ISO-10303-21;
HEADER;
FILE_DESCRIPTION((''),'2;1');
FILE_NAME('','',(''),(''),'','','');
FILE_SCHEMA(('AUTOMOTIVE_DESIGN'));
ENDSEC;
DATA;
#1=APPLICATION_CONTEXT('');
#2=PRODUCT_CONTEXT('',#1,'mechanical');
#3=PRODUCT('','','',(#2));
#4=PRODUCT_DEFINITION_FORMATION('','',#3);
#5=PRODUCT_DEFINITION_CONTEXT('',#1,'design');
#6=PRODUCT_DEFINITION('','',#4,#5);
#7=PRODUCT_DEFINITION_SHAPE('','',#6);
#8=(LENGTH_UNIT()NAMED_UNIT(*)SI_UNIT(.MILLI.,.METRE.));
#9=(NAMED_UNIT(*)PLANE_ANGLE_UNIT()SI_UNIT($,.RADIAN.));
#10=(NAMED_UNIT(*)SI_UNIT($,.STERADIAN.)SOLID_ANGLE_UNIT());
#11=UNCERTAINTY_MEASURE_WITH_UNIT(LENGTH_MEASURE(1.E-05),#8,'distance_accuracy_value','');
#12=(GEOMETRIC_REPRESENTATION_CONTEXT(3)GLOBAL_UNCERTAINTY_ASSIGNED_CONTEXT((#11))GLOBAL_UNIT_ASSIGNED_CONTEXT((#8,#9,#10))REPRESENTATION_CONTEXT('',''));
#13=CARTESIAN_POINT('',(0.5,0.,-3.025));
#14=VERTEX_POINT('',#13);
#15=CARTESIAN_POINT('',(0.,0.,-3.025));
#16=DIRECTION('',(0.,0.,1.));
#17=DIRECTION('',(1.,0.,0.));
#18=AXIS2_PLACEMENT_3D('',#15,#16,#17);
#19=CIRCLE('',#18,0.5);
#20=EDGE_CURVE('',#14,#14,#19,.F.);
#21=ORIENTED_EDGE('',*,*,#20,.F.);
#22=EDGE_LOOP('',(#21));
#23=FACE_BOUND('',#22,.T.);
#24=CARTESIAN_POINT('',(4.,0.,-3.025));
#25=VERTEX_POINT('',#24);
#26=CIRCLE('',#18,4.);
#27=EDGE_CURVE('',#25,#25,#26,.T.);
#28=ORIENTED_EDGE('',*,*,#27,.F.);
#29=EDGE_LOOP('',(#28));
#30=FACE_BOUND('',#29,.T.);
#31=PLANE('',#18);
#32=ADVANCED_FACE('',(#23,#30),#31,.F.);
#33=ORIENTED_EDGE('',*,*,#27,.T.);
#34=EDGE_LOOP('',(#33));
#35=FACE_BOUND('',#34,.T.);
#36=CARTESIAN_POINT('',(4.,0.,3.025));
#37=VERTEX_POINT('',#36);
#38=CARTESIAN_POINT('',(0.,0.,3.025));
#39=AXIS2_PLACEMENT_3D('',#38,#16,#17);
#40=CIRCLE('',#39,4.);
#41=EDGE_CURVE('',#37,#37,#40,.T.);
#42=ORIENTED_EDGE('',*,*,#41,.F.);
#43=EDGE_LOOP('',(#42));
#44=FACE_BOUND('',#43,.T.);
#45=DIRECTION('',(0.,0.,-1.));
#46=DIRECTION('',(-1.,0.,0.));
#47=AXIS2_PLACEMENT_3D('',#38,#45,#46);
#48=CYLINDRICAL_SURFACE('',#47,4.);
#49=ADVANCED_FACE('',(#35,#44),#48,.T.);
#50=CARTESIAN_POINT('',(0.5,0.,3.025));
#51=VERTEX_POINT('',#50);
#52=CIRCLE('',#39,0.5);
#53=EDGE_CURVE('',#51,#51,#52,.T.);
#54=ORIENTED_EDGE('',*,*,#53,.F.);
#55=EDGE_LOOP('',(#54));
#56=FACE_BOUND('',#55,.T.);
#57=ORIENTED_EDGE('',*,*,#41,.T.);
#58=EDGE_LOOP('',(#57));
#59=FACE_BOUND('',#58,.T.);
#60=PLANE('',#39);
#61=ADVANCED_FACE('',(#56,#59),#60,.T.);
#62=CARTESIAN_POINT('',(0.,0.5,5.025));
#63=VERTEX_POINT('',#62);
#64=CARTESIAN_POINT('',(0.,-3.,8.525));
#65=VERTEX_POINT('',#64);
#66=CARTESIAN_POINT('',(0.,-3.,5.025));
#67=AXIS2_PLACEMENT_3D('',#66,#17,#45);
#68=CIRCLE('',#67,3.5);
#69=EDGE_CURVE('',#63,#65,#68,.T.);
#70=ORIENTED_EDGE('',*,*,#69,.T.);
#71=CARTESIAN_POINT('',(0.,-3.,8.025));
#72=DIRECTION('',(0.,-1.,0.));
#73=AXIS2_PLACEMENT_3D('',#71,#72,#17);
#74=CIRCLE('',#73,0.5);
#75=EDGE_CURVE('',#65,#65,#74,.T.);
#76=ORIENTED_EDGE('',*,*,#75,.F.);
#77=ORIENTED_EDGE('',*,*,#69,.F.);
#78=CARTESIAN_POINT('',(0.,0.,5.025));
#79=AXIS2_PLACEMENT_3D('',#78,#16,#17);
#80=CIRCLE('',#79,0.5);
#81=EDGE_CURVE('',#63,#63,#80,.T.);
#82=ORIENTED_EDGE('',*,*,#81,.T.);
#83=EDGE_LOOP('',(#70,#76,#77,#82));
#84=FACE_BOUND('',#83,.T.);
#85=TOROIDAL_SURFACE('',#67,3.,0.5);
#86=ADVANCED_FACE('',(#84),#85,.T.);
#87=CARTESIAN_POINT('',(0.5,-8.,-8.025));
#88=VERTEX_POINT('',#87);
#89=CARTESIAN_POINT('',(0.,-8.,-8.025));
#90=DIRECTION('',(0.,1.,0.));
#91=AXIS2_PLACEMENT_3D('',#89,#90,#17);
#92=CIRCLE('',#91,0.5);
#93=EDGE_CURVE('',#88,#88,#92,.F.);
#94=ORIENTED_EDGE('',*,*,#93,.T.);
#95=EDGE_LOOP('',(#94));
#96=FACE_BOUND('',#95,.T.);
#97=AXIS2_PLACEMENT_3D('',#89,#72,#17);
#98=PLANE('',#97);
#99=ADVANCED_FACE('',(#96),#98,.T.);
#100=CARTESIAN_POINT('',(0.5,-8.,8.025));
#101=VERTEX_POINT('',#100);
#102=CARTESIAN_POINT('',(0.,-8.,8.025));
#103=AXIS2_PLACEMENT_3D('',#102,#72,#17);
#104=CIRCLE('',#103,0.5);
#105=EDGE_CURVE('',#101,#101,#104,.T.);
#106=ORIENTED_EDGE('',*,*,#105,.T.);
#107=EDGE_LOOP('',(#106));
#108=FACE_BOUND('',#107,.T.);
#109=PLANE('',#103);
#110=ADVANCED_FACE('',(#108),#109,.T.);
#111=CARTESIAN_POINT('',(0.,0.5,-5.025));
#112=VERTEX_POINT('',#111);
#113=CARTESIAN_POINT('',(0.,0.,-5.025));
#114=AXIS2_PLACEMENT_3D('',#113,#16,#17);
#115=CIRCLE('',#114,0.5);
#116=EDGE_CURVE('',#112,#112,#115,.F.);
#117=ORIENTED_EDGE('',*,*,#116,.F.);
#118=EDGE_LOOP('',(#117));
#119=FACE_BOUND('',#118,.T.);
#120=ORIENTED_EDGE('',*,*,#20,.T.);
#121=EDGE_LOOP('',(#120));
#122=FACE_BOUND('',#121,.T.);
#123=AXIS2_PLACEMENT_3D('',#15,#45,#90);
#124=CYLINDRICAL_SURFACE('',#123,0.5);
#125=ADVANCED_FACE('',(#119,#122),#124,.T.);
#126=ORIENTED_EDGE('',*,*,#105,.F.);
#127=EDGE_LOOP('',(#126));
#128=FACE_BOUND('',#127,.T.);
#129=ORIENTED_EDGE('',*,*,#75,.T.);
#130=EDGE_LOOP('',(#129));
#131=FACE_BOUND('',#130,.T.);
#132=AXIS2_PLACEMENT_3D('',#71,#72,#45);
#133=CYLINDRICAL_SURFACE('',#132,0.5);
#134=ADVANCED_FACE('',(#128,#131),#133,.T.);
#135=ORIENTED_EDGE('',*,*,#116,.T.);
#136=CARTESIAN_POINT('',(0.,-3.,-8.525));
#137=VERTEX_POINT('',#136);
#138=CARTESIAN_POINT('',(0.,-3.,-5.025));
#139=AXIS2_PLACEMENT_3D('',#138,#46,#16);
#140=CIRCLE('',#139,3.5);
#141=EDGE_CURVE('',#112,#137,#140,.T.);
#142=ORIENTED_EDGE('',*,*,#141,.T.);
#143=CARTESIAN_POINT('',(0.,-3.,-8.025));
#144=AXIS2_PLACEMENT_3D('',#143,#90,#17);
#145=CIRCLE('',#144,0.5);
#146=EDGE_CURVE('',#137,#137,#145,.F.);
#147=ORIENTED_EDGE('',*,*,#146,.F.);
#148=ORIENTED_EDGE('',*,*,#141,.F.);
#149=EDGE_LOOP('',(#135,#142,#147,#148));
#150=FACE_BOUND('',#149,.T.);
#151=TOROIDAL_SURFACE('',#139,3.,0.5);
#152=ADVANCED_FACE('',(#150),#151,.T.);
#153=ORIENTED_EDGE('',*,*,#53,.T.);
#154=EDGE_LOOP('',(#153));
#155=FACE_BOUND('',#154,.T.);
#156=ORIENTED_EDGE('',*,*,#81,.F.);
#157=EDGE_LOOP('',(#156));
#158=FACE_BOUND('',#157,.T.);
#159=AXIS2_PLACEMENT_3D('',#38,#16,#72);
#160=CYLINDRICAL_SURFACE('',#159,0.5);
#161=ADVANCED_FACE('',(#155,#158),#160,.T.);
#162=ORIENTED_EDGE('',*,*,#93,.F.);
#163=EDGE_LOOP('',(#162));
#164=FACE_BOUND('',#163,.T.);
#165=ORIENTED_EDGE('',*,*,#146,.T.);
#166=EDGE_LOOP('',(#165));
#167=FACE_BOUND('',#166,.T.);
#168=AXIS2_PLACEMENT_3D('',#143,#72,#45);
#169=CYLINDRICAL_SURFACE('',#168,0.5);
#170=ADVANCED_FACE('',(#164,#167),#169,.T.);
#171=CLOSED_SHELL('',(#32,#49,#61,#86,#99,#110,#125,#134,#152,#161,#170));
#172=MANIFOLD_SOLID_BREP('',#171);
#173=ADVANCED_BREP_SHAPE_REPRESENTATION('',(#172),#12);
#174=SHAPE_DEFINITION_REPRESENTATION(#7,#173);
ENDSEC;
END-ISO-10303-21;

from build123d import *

# Parameters (mm, degrees)
SKETCH1_R           = 4
BOSS_EXTRUDE1_DEPTH = 3.025
SKETCH3_R           = 0.5


with BuildPart() as part:
    # Sketch1 → Boss-Extrude1 (new, symmetric)
    with BuildSketch(Plane.XY):
        Circle(SKETCH1_R)
    extrude(amount=BOSS_EXTRUDE1_DEPTH, both=True)

    # Sweep1: sweep along a path in Sketch2
    with BuildLine(Plane(origin=(0, 0, 0), x_dir=(0, 0, -1), z_dir=(1, 0, 0))) as sweep1_path:
        Line((-3.025, 0), (-5.025, 0))
        ThreePointArc((-5.025, 0), (-7.146320344, -0.878679656), (-8.025, -3))
        Line((-8.025, -3), (-8.025, -8))
    # Sketch3 → Sweep1 (sweep)
    with BuildSketch(Plane.XY.offset(3.025)):
        Circle(SKETCH3_R)
    sweep1 = sweep(path=sweep1_path.line)

    # Mirror1: Sweep1 across plane
    add(sweep1.mirror(Plane.XY))


solid = part.part
